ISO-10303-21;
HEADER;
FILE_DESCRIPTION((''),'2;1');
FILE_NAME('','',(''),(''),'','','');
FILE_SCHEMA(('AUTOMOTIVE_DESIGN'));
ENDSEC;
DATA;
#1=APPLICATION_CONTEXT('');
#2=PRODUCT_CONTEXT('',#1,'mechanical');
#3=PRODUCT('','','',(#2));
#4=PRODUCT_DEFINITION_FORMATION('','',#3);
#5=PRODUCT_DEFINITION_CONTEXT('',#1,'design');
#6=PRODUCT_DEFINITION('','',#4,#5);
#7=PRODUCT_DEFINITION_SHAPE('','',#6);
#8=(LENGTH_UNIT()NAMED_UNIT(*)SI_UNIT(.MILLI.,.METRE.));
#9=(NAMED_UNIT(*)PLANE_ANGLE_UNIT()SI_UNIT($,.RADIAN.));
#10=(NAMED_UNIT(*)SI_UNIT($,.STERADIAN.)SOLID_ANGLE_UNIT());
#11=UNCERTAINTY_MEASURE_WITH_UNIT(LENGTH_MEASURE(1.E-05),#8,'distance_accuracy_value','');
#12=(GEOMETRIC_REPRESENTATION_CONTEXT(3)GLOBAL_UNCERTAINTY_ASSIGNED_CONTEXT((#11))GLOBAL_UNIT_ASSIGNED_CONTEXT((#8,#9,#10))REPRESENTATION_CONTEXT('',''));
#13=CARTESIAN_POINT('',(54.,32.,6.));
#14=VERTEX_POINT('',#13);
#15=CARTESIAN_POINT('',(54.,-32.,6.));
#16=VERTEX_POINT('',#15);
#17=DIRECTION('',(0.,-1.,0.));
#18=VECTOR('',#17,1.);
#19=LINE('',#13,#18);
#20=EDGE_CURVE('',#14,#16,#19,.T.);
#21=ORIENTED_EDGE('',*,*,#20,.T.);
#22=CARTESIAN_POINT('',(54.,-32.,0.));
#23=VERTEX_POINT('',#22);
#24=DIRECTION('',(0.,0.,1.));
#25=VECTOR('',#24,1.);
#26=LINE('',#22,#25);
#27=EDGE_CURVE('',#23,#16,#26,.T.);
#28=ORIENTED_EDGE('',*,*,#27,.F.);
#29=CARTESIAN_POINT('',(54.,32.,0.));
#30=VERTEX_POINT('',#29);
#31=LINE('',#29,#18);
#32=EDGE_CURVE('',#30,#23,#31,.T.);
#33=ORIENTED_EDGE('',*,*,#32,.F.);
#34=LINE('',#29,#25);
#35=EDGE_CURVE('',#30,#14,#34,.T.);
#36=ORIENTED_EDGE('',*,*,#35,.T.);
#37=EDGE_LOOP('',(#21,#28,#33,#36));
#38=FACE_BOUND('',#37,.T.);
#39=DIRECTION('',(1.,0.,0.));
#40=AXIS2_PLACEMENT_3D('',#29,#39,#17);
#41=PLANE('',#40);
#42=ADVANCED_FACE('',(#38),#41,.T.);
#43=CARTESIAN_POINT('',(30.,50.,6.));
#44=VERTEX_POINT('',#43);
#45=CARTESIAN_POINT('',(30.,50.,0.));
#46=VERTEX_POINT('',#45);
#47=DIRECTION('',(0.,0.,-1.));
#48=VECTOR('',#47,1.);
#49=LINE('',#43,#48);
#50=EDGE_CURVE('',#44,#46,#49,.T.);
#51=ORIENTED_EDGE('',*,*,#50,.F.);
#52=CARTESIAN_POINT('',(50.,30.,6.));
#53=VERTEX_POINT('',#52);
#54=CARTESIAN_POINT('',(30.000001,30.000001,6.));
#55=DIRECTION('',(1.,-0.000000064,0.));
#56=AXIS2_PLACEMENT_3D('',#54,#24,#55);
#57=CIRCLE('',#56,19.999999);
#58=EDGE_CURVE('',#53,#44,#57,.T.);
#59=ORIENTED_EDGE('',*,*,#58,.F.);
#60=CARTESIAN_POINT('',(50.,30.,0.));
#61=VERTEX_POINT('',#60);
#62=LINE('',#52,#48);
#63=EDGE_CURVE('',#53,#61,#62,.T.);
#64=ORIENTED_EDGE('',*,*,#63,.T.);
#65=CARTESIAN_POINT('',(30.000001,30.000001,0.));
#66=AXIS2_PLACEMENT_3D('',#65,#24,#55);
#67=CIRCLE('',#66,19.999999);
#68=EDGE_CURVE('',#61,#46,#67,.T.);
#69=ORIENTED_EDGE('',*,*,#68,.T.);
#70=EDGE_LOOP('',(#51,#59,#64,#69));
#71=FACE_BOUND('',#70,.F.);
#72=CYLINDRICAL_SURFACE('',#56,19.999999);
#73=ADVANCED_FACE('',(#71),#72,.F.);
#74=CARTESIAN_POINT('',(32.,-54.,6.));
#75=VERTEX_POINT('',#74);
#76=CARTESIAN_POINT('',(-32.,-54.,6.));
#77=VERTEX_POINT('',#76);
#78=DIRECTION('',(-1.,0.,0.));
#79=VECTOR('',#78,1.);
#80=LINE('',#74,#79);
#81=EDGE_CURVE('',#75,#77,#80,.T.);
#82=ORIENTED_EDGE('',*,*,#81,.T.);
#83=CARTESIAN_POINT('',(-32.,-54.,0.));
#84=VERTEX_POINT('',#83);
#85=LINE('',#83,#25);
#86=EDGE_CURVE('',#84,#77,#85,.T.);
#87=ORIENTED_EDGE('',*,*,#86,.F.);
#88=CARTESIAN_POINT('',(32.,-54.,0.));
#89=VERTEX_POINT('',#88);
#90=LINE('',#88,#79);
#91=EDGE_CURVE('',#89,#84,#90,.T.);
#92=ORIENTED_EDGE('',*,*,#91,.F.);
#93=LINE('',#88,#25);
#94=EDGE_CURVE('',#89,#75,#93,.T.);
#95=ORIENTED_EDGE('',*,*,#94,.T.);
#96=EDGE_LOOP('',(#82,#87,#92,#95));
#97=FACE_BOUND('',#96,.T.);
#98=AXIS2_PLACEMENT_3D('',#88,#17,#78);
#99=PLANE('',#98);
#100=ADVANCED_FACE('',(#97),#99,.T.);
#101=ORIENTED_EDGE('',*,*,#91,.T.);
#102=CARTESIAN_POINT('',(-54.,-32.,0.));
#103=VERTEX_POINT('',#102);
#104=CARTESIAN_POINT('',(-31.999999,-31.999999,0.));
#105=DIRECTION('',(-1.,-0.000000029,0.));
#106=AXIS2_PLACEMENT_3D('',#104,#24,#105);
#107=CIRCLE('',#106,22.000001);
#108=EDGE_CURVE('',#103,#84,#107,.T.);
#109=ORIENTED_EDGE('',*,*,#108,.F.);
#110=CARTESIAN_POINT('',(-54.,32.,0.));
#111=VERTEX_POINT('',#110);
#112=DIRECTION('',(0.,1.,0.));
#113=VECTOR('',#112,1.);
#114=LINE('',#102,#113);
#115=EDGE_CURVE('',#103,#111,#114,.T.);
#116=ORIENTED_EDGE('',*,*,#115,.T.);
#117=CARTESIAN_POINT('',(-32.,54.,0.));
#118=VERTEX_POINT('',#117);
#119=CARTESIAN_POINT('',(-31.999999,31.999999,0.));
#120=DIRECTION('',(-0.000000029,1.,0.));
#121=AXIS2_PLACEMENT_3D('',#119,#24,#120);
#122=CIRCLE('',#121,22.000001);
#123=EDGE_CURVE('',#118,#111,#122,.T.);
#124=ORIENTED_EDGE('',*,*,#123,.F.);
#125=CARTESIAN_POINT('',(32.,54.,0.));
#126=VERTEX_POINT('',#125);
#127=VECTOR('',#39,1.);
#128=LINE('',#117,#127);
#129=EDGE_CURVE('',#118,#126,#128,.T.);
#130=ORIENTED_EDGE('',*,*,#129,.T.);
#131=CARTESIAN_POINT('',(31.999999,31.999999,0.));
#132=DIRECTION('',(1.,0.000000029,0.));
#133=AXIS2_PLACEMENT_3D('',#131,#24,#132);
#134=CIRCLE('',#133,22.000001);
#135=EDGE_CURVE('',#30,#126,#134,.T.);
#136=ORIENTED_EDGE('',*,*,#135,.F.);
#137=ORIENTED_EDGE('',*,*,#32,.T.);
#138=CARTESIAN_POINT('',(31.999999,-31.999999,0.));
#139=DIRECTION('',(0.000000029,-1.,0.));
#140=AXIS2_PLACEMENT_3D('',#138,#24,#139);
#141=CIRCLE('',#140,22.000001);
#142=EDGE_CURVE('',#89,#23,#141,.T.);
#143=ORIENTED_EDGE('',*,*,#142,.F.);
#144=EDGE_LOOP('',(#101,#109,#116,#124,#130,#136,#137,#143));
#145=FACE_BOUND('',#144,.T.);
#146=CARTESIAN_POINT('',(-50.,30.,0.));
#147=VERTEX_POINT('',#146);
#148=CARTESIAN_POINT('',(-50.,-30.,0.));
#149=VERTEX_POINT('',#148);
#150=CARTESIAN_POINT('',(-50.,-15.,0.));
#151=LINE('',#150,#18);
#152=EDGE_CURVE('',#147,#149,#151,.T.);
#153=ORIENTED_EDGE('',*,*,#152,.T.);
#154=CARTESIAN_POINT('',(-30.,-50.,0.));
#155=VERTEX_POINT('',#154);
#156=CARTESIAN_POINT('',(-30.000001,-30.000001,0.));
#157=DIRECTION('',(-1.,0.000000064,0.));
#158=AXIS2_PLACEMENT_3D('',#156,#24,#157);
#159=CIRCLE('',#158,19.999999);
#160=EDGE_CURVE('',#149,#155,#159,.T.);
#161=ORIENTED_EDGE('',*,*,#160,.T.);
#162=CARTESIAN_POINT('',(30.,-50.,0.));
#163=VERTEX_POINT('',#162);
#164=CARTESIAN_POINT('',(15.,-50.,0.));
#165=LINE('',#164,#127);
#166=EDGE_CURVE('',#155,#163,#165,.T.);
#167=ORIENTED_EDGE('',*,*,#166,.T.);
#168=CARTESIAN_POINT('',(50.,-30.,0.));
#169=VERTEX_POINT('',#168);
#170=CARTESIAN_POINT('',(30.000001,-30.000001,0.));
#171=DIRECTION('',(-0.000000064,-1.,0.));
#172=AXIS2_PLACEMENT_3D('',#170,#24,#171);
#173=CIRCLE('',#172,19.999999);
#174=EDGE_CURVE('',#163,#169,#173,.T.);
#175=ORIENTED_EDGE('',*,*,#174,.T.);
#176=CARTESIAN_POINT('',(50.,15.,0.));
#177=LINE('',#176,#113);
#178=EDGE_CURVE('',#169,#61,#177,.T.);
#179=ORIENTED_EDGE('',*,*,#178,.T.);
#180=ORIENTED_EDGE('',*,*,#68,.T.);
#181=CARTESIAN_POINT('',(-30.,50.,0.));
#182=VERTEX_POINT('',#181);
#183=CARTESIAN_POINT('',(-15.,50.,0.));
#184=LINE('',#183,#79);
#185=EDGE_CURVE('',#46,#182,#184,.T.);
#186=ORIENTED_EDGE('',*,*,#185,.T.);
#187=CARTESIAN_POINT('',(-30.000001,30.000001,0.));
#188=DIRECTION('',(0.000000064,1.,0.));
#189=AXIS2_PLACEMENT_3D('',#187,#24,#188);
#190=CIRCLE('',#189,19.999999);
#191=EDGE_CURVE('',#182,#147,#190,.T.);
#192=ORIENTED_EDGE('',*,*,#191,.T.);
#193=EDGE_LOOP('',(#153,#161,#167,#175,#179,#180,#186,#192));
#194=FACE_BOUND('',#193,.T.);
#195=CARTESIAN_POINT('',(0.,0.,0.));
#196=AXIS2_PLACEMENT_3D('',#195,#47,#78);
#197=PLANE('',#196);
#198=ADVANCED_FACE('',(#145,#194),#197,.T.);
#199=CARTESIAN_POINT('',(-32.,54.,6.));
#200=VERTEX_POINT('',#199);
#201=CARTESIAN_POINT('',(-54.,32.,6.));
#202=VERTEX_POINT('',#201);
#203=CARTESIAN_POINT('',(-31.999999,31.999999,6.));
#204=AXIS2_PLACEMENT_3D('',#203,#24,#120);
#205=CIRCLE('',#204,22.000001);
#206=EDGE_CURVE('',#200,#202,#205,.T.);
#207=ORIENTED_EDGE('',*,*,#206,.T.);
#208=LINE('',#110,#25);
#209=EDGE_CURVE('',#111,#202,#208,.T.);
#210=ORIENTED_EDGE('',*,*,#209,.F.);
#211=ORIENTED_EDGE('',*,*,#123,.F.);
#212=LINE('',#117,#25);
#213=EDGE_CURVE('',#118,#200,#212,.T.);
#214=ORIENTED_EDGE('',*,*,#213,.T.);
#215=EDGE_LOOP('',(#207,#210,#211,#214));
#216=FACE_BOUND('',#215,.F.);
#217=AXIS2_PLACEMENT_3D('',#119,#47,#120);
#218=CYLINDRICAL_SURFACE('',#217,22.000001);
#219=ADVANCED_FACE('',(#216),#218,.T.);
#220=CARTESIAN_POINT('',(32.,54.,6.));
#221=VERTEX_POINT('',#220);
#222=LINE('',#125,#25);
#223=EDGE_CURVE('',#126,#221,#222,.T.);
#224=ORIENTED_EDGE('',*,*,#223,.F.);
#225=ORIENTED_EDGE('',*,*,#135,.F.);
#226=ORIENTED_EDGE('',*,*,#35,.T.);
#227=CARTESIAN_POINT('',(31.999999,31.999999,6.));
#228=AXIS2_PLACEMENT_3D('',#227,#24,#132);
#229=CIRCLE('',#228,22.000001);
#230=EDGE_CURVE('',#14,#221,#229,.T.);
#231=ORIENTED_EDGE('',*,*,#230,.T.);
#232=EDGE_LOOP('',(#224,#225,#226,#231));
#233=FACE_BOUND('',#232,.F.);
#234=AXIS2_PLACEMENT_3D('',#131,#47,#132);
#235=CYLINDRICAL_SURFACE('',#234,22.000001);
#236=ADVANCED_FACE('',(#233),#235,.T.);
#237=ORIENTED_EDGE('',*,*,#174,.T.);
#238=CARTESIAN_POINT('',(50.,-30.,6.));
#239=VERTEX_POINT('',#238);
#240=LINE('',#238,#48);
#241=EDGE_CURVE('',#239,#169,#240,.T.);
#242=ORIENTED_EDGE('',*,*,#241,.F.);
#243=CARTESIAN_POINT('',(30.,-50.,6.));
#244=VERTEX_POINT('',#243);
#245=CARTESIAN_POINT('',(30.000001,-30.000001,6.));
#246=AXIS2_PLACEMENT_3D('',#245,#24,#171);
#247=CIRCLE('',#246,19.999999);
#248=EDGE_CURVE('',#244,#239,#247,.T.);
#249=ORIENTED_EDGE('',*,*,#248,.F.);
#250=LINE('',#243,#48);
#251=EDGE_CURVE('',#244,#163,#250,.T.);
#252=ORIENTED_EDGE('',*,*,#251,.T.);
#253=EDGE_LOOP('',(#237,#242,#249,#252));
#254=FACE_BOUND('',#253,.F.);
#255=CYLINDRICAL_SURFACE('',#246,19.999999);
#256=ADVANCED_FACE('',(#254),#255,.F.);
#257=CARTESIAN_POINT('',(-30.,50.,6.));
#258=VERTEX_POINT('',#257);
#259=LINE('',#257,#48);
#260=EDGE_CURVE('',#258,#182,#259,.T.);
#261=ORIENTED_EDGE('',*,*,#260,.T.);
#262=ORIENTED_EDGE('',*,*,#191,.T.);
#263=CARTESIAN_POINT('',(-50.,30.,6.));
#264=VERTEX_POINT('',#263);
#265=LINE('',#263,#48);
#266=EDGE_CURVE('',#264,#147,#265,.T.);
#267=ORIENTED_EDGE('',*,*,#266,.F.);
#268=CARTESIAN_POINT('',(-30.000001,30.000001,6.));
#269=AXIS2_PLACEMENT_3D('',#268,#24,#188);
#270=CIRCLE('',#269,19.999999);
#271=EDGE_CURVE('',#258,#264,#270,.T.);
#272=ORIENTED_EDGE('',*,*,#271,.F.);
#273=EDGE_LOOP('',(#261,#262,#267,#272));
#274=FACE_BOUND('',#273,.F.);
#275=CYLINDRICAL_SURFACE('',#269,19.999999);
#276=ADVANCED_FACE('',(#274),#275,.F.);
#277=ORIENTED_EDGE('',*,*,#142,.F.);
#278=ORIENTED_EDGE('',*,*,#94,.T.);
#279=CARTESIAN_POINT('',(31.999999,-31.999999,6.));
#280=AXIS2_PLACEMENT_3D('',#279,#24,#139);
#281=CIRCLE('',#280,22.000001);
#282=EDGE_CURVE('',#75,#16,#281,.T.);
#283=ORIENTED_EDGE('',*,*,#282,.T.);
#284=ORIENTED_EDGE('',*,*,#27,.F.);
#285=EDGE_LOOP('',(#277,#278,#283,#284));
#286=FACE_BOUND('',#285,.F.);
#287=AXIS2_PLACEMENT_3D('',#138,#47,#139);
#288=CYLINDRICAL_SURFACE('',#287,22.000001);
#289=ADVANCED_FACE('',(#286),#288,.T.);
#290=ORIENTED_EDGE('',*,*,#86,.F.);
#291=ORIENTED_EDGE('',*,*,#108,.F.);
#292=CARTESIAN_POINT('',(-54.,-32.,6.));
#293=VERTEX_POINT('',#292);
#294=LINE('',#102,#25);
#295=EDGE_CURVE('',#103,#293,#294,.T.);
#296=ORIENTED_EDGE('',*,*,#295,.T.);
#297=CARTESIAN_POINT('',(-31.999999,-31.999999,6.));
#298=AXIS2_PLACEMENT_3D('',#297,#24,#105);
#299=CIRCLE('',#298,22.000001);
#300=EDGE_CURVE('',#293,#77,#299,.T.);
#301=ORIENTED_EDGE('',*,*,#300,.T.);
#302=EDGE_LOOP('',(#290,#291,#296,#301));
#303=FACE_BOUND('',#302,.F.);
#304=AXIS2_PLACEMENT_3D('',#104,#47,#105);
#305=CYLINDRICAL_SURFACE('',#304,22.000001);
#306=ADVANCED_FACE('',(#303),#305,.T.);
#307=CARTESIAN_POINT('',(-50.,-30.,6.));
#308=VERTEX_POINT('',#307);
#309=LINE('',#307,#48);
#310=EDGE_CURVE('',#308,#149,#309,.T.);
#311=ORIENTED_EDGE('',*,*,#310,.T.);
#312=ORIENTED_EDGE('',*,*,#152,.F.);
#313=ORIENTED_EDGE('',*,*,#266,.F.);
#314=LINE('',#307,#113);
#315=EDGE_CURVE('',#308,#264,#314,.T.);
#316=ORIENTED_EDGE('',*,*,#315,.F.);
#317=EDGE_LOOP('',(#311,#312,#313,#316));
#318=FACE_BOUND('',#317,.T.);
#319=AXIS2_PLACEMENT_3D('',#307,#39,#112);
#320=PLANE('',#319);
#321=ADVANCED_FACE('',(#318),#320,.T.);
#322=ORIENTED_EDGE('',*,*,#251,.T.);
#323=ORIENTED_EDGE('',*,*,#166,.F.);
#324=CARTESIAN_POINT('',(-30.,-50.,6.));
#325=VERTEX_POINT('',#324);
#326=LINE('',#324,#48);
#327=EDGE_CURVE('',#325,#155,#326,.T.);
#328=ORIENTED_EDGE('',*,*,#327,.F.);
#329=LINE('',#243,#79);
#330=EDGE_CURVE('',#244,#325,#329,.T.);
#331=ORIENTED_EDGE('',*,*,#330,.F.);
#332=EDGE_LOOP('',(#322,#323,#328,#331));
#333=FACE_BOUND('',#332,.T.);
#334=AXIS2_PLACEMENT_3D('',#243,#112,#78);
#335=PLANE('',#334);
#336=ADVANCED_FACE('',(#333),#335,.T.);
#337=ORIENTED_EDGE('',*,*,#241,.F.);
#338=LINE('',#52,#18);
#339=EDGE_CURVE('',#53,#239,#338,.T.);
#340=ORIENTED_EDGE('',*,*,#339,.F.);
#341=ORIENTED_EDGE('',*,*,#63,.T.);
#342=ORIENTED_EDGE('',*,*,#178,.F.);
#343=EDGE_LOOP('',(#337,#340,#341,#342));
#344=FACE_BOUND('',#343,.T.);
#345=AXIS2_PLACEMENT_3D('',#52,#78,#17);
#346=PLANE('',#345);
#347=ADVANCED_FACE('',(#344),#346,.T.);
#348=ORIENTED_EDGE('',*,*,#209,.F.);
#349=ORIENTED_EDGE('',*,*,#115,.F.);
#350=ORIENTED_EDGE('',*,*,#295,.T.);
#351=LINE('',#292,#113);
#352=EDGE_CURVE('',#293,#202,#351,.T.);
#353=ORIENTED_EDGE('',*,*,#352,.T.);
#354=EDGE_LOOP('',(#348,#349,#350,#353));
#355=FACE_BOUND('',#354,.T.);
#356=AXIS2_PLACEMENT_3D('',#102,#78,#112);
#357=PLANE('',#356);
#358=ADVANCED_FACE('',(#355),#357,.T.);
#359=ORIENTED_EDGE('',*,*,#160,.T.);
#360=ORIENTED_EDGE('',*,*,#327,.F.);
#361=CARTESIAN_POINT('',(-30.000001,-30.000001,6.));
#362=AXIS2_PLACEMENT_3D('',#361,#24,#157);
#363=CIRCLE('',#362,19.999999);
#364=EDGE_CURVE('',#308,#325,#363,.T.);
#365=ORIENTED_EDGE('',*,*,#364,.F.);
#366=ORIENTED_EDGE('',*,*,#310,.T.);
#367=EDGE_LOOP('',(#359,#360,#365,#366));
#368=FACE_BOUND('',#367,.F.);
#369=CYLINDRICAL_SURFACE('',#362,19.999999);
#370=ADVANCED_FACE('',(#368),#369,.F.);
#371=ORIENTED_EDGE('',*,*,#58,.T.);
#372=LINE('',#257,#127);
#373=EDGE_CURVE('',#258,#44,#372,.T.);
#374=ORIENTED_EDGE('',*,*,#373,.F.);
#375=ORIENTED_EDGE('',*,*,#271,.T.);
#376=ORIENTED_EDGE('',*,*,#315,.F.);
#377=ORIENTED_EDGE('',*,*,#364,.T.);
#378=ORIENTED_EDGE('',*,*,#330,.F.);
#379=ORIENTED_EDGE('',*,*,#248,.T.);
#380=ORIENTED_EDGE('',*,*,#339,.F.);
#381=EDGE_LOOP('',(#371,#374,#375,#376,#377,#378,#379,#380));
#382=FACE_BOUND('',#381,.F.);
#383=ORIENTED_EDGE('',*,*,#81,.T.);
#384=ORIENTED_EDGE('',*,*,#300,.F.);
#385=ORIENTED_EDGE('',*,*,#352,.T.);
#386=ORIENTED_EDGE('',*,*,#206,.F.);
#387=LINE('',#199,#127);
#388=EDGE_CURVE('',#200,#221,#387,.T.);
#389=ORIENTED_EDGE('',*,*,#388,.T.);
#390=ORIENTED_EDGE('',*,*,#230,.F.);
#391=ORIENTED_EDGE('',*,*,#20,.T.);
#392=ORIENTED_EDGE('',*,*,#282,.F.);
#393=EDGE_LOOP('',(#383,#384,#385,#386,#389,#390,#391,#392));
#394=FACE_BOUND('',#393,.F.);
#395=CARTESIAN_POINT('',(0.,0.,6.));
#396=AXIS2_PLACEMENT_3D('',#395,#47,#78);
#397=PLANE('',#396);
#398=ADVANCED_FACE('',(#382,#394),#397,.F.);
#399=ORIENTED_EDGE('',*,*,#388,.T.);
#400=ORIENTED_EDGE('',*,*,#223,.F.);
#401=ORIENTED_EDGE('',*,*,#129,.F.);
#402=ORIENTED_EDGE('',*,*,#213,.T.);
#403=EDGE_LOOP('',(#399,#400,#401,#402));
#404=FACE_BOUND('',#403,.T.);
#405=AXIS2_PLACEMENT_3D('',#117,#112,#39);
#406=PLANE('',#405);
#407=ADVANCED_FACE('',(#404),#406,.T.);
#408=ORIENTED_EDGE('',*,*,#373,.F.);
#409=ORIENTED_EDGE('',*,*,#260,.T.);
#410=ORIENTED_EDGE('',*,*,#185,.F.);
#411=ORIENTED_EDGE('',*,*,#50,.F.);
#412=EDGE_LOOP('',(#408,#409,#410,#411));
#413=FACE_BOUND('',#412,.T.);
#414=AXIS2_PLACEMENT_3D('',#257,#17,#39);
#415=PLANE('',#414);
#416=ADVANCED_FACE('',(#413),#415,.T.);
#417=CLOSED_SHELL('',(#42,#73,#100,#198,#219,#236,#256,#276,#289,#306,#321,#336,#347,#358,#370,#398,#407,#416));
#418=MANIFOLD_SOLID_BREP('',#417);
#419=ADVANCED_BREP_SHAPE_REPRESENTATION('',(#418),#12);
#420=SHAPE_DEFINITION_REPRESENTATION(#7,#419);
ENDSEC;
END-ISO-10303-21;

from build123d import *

# Parameters (mm, degrees)
PAD_DEPTH    = 6
POCKET_DEPTH = 28


with BuildPart() as part:
    # Sketch → Pad (new body)
    with BuildSketch(Plane.XY):
        with BuildLine():
            Line((-32, 54), (32, 54))
            ThreePointArc((54, 32), (47.556349, 47.556349), (32, 54))
            Line((54, 32), (54, -32))
            ThreePointArc((32, -54), (47.556349, -47.556349), (54, -32))
            Line((32, -54), (-32, -54))
            ThreePointArc((-54, -32), (-47.556349, -47.556349), (-32, -54))
            Line((-54, -32), (-54, 32))
            ThreePointArc((-32, 54), (-47.556349, 47.556349), (-54, 32))
        make_face()
    extrude(amount=PAD_DEPTH)

    # Sketch001 (on Face10 of Pad) → Pocket (cut)
    with BuildSketch(Plane.XY.offset(6)):
        with BuildLine():
            Line((-30, 50), (30, 50))
            ThreePointArc((50, 30), (44.142136, 44.142136), (30, 50))
            Line((50, 30), (50, -30))
            ThreePointArc((30, -50), (44.142136, -44.142136), (50, -30))
            Line((30, -50), (-30, -50))
            ThreePointArc((-50, -30), (-44.142136, -44.142136), (-30, -50))
            Line((-50, -30), (-50, 30))
            ThreePointArc((-30, 50), (-44.142136, 44.142136), (-50, 30))
        make_face()
    extrude(amount=-POCKET_DEPTH, mode=Mode.SUBTRACT)


solid = part.part
